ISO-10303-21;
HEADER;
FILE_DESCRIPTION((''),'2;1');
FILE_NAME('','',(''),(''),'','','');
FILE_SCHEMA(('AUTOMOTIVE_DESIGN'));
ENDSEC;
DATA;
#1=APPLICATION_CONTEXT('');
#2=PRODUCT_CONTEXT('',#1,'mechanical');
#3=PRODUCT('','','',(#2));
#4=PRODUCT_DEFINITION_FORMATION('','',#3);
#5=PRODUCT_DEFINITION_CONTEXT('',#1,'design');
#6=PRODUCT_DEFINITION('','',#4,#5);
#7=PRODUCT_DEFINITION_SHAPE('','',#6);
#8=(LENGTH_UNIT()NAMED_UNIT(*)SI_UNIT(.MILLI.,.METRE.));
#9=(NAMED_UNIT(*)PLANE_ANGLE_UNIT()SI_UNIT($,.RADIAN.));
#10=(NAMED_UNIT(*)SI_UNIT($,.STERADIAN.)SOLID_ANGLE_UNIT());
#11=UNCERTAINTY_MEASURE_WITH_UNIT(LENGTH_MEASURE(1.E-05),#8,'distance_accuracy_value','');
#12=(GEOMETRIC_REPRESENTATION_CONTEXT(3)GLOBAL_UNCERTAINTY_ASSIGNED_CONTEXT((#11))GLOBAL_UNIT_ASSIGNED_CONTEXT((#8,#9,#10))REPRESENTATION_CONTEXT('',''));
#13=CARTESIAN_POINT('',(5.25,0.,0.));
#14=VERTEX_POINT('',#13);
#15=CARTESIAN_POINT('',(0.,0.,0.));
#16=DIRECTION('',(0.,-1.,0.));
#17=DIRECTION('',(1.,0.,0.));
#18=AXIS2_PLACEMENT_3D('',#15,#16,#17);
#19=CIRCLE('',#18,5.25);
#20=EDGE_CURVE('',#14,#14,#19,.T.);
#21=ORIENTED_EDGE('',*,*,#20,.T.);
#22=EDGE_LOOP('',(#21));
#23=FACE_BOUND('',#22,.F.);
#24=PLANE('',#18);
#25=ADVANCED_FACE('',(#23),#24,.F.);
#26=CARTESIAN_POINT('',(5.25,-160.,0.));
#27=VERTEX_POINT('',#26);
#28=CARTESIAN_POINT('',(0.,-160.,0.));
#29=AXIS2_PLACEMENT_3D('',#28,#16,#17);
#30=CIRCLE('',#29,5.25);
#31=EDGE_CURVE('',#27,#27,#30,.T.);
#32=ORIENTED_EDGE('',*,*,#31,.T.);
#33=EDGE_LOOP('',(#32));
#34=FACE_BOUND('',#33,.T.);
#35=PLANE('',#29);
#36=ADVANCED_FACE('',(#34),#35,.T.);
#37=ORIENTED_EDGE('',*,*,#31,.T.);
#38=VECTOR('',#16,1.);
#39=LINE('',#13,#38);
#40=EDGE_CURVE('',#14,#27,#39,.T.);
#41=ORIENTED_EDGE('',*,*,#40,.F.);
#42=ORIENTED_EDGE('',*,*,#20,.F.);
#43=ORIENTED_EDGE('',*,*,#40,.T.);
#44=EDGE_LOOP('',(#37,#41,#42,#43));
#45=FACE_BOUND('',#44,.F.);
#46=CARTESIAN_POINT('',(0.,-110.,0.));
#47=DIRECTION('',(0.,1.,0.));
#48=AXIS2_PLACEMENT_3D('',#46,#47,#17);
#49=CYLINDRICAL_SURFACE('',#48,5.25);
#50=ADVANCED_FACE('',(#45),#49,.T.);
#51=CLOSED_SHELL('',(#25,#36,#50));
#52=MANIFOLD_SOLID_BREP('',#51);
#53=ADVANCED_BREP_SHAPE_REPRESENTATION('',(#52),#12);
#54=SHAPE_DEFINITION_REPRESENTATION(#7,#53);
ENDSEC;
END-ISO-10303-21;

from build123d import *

# Parameters (mm, degrees)
F0_R     = 5.25
F1_DEPTH = 110
F2_DEPTH = 100
F3_DEPTH = 50


with BuildPart() as f1:
    # F0 (on Front) → F1 (new body)
    with BuildSketch(Plane.XZ):
        Circle(F0_R)
    extrude(amount=F1_DEPTH)

    # F2 (add): a face of the model
    f2_faces = [f1.faces().sort_by_distance(p)[0] for p in [
        (0, -110, 0),
    ]]
    extrude(f2_faces, amount=F2_DEPTH)

    # F3 (cut): a face of the model
    f3_faces = [f1.faces().sort_by_distance(p)[0] for p in [
        (0, -210, 0),
    ]]
    extrude(f3_faces, amount=-F3_DEPTH, mode=Mode.SUBTRACT)


solid = f1.part
